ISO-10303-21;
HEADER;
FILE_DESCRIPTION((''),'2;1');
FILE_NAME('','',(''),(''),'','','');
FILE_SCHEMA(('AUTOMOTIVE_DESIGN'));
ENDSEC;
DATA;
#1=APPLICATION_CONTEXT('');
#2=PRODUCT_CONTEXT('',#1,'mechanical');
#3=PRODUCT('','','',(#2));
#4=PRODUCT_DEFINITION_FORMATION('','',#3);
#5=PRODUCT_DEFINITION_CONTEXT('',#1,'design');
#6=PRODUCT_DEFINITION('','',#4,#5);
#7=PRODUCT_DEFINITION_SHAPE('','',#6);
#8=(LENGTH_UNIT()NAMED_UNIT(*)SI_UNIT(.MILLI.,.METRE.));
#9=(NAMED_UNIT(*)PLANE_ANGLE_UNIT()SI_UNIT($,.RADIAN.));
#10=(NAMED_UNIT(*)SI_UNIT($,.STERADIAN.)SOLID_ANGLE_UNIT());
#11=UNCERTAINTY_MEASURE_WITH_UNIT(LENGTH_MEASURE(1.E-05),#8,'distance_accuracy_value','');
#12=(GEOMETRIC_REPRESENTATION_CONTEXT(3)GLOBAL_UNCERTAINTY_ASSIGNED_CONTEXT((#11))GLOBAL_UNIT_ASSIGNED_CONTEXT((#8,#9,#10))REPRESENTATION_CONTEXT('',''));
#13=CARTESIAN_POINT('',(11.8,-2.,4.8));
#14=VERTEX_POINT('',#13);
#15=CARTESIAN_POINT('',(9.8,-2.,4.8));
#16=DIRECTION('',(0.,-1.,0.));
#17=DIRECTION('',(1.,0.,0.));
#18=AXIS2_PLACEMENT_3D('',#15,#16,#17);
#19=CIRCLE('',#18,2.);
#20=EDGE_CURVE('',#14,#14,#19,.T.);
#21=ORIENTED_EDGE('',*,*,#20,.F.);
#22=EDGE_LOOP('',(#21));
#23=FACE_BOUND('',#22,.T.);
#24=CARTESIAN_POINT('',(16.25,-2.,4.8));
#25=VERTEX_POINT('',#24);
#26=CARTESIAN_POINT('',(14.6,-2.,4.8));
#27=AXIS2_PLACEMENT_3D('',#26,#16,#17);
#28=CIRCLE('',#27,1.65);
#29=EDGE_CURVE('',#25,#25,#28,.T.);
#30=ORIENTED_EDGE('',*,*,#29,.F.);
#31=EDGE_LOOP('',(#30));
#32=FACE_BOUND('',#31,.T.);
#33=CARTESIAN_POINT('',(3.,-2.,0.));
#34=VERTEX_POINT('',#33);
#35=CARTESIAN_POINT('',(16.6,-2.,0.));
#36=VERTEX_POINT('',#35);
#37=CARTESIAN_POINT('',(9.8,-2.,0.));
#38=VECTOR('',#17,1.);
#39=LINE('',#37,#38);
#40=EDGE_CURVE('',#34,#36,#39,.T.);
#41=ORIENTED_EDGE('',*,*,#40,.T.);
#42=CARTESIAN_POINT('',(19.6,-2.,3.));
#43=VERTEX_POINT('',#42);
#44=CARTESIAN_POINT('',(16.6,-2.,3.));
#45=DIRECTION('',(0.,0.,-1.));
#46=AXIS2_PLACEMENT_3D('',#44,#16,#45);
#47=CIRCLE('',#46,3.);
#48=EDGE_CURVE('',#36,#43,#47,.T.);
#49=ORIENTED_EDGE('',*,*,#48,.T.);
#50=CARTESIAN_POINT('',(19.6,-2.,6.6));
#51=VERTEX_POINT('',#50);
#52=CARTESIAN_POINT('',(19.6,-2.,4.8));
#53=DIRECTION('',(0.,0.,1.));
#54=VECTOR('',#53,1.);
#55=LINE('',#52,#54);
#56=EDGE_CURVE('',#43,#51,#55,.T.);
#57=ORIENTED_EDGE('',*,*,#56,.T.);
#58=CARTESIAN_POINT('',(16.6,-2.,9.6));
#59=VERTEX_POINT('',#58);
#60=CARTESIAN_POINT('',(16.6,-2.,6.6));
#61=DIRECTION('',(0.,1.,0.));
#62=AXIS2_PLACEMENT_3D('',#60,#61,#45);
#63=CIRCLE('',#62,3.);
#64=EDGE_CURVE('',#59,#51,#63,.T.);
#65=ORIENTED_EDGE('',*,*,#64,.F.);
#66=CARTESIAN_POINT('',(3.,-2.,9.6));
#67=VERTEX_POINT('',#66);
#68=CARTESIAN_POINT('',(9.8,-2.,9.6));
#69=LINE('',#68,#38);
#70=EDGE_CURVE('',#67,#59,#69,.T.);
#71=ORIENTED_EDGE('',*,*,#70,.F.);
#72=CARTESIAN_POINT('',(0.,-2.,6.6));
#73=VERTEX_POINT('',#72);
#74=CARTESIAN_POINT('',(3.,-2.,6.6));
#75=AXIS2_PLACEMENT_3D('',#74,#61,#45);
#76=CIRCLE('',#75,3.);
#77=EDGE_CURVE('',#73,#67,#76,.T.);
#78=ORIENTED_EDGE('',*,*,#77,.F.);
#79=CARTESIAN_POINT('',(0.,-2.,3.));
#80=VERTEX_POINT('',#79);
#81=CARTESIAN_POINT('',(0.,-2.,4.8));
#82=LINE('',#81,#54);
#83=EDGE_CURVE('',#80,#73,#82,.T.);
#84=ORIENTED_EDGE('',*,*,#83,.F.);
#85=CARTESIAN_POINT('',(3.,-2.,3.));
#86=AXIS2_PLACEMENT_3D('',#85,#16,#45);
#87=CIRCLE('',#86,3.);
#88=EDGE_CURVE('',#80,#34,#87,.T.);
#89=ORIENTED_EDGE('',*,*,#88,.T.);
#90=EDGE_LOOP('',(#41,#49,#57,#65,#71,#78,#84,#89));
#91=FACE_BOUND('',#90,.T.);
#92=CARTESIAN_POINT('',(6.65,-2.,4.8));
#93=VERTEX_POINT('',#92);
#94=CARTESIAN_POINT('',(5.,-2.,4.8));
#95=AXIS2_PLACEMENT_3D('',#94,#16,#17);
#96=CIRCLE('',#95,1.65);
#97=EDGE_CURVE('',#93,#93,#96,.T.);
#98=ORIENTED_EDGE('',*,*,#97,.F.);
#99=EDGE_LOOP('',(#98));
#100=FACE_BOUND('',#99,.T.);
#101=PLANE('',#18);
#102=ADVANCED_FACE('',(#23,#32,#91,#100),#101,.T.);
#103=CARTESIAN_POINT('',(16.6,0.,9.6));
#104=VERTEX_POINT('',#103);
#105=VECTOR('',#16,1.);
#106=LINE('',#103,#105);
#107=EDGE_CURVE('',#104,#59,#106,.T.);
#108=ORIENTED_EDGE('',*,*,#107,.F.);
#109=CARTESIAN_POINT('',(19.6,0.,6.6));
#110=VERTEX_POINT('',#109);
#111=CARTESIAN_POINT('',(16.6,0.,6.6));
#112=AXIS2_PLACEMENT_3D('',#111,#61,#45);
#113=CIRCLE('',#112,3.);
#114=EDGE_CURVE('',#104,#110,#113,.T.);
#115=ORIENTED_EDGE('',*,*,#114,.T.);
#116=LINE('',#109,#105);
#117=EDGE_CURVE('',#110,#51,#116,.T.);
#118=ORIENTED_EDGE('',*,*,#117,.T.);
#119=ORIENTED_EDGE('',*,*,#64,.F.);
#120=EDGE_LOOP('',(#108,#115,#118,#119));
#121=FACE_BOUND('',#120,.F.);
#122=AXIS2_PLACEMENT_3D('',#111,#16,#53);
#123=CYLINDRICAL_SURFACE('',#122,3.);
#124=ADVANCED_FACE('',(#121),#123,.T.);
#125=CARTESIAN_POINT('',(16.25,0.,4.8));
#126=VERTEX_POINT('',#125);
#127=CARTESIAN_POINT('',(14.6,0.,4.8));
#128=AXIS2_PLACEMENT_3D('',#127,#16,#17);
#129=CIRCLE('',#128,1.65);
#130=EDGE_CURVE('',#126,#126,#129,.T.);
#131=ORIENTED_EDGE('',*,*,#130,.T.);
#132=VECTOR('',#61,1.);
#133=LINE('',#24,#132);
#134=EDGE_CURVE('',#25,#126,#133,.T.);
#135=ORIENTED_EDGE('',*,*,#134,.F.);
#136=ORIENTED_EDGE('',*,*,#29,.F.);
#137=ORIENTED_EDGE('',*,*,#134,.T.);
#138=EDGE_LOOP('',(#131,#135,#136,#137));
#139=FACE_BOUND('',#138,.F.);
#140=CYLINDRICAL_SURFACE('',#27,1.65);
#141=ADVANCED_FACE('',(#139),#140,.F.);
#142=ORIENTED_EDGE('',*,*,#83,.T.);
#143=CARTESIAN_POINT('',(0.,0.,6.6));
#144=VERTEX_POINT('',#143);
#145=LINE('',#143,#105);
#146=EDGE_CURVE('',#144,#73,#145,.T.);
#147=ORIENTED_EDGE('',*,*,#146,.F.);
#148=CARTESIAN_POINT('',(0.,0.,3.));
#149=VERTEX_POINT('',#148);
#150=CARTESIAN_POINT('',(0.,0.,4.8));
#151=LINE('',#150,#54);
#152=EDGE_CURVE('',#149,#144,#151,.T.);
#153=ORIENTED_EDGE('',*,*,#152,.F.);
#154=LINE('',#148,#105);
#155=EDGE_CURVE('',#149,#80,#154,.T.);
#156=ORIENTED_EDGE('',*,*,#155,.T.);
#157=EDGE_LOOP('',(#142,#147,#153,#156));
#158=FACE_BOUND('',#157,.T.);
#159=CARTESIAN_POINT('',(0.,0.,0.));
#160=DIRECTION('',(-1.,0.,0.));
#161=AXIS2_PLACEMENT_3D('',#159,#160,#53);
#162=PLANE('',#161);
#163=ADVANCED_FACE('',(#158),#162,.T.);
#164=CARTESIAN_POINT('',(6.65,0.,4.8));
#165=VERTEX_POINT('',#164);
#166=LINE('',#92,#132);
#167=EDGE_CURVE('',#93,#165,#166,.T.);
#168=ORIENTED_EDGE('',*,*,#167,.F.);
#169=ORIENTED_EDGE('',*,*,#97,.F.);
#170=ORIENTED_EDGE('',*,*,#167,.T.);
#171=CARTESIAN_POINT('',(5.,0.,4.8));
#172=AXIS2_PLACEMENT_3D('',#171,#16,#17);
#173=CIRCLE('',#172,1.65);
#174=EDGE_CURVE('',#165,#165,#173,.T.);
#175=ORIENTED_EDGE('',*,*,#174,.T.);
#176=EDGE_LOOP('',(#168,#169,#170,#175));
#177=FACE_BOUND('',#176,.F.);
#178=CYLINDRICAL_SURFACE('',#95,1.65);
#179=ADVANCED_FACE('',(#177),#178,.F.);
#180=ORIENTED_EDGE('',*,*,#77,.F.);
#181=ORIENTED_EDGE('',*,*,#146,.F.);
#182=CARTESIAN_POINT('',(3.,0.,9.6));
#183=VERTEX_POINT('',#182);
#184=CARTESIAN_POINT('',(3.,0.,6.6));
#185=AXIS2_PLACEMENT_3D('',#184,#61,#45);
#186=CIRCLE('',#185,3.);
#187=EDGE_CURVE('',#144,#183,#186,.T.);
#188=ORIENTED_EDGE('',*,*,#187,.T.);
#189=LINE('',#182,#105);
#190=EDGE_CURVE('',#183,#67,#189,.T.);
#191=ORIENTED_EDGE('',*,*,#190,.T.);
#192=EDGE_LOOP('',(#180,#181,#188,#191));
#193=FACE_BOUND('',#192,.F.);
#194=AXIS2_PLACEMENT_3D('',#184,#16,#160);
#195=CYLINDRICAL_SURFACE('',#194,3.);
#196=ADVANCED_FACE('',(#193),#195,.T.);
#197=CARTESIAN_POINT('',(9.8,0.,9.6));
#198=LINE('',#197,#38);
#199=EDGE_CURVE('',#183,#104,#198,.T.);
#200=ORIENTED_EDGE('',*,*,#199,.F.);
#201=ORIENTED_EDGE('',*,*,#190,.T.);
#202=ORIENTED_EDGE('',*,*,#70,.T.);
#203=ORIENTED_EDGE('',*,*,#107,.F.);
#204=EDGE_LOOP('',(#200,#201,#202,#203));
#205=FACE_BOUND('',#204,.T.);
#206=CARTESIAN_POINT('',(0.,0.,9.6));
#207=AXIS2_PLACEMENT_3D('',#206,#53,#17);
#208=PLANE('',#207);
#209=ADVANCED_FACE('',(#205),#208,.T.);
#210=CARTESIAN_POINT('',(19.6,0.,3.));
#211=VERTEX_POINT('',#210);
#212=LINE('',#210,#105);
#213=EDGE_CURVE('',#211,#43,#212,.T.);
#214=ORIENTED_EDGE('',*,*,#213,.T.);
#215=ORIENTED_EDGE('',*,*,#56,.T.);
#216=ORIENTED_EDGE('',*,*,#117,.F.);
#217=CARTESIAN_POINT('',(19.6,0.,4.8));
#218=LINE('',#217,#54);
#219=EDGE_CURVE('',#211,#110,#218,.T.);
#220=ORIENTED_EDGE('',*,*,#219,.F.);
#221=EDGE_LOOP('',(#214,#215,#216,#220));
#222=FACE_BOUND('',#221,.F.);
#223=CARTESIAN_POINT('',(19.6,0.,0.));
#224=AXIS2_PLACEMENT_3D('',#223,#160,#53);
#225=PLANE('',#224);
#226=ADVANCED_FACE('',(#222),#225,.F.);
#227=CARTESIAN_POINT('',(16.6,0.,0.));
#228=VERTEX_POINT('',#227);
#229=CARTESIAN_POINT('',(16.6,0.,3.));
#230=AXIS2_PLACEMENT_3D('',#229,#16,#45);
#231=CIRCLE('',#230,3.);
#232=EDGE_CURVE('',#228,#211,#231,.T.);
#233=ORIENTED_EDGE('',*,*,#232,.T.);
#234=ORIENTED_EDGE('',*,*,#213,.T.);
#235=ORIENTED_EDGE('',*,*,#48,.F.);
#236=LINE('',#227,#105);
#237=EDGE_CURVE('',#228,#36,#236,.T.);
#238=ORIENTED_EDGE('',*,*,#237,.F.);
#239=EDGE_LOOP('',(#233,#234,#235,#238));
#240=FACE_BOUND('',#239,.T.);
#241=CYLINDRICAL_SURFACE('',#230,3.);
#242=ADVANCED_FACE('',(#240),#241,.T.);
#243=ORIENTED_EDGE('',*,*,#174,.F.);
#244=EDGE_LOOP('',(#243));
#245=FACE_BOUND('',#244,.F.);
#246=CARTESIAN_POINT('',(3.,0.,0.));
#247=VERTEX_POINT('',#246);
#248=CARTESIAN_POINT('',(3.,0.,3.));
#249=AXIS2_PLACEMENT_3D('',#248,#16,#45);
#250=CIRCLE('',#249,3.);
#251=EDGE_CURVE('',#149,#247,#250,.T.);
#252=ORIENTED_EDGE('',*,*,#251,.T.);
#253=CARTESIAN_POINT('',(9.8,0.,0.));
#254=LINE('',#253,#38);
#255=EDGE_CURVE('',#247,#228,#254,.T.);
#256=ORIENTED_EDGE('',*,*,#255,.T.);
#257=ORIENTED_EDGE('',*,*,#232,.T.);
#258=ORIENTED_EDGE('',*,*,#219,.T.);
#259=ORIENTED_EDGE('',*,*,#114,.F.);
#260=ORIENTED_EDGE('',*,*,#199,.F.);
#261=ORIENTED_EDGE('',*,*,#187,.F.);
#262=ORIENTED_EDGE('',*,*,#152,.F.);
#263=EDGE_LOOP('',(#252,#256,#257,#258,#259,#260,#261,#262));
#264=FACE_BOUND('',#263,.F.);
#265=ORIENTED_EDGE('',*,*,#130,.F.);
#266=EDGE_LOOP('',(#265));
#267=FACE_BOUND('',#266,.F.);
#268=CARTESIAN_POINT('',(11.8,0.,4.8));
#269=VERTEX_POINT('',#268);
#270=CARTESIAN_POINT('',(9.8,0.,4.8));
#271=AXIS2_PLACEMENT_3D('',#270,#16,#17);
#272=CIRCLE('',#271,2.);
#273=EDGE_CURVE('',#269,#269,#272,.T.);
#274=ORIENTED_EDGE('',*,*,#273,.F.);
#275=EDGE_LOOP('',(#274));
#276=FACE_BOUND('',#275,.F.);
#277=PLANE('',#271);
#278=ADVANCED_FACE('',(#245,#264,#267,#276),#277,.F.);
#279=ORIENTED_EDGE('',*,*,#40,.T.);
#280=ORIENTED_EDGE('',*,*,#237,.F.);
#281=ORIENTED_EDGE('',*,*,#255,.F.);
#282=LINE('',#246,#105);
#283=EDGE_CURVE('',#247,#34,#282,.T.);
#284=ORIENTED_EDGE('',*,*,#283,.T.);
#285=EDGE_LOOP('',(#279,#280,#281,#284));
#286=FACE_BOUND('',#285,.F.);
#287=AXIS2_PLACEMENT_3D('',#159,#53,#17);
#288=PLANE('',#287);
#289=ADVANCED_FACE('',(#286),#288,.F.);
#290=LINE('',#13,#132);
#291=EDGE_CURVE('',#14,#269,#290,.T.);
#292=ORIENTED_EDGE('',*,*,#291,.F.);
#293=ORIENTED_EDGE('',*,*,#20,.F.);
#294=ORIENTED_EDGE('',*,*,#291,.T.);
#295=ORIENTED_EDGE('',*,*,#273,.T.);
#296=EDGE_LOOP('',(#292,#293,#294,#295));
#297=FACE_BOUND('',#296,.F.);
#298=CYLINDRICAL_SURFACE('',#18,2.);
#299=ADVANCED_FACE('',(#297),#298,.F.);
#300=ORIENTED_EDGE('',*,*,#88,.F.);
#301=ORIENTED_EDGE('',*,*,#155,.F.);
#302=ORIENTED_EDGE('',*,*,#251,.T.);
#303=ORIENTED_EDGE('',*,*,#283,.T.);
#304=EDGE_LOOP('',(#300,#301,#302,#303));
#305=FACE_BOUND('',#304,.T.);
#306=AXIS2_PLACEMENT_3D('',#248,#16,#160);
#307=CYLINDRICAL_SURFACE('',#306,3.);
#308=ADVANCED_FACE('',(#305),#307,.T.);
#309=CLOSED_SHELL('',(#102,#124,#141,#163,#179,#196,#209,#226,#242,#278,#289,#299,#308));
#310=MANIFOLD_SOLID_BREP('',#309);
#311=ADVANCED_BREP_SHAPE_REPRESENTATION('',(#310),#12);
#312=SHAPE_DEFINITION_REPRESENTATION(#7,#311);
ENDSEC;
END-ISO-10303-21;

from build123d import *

# Parameters (mm, degrees)
F0_W     = 19.6
F0_H     = 9.6
F1_DEPTH = 2
F2_R     = 2
F3_DEPTH = 3
F4_R     = 1.65
F6_DEPTH = 3
F5_R     = 1.65
F7_DEPTH = 3
F8_R     = 3


with BuildPart() as f1:
    # F0 (on Front) → F1 (new body)
    with BuildSketch(Plane.XZ):
        with Locations((9.8, 4.8)):
            Rectangle(F0_W, F0_H)
    extrude(amount=F1_DEPTH)

    # F2 (on face) → F3 (cut)
    with BuildSketch(Plane.XZ.offset(2)):
        with Locations((9.8, 4.8)):
            Circle(F2_R)
    extrude(amount=-F3_DEPTH, mode=Mode.SUBTRACT)

    # F4 (on face) → F6 (cut)
    with BuildSketch(Plane.XZ.offset(2)):
        with Locations((5, 4.8)):
            Circle(F4_R)
    extrude(amount=-F6_DEPTH, mode=Mode.SUBTRACT)

    # F5 (on face) → F7 (cut)
    with BuildSketch(Plane.XZ.offset(2)):
        with Locations((14.6, 4.8)):
            Circle(F5_R)
    extrude(amount=-F7_DEPTH, mode=Mode.SUBTRACT)

    # F8
    f8_edges = [f1.edges().sort_by_distance(p)[0] for p in [
        (19.6, -1, 9.6),
        (0, -1, 9.6),
        (0, -1, 0),
        (19.6, -1, 0),
    ]]
    fillet(f8_edges, radius=F8_R)


solid = f1.part
